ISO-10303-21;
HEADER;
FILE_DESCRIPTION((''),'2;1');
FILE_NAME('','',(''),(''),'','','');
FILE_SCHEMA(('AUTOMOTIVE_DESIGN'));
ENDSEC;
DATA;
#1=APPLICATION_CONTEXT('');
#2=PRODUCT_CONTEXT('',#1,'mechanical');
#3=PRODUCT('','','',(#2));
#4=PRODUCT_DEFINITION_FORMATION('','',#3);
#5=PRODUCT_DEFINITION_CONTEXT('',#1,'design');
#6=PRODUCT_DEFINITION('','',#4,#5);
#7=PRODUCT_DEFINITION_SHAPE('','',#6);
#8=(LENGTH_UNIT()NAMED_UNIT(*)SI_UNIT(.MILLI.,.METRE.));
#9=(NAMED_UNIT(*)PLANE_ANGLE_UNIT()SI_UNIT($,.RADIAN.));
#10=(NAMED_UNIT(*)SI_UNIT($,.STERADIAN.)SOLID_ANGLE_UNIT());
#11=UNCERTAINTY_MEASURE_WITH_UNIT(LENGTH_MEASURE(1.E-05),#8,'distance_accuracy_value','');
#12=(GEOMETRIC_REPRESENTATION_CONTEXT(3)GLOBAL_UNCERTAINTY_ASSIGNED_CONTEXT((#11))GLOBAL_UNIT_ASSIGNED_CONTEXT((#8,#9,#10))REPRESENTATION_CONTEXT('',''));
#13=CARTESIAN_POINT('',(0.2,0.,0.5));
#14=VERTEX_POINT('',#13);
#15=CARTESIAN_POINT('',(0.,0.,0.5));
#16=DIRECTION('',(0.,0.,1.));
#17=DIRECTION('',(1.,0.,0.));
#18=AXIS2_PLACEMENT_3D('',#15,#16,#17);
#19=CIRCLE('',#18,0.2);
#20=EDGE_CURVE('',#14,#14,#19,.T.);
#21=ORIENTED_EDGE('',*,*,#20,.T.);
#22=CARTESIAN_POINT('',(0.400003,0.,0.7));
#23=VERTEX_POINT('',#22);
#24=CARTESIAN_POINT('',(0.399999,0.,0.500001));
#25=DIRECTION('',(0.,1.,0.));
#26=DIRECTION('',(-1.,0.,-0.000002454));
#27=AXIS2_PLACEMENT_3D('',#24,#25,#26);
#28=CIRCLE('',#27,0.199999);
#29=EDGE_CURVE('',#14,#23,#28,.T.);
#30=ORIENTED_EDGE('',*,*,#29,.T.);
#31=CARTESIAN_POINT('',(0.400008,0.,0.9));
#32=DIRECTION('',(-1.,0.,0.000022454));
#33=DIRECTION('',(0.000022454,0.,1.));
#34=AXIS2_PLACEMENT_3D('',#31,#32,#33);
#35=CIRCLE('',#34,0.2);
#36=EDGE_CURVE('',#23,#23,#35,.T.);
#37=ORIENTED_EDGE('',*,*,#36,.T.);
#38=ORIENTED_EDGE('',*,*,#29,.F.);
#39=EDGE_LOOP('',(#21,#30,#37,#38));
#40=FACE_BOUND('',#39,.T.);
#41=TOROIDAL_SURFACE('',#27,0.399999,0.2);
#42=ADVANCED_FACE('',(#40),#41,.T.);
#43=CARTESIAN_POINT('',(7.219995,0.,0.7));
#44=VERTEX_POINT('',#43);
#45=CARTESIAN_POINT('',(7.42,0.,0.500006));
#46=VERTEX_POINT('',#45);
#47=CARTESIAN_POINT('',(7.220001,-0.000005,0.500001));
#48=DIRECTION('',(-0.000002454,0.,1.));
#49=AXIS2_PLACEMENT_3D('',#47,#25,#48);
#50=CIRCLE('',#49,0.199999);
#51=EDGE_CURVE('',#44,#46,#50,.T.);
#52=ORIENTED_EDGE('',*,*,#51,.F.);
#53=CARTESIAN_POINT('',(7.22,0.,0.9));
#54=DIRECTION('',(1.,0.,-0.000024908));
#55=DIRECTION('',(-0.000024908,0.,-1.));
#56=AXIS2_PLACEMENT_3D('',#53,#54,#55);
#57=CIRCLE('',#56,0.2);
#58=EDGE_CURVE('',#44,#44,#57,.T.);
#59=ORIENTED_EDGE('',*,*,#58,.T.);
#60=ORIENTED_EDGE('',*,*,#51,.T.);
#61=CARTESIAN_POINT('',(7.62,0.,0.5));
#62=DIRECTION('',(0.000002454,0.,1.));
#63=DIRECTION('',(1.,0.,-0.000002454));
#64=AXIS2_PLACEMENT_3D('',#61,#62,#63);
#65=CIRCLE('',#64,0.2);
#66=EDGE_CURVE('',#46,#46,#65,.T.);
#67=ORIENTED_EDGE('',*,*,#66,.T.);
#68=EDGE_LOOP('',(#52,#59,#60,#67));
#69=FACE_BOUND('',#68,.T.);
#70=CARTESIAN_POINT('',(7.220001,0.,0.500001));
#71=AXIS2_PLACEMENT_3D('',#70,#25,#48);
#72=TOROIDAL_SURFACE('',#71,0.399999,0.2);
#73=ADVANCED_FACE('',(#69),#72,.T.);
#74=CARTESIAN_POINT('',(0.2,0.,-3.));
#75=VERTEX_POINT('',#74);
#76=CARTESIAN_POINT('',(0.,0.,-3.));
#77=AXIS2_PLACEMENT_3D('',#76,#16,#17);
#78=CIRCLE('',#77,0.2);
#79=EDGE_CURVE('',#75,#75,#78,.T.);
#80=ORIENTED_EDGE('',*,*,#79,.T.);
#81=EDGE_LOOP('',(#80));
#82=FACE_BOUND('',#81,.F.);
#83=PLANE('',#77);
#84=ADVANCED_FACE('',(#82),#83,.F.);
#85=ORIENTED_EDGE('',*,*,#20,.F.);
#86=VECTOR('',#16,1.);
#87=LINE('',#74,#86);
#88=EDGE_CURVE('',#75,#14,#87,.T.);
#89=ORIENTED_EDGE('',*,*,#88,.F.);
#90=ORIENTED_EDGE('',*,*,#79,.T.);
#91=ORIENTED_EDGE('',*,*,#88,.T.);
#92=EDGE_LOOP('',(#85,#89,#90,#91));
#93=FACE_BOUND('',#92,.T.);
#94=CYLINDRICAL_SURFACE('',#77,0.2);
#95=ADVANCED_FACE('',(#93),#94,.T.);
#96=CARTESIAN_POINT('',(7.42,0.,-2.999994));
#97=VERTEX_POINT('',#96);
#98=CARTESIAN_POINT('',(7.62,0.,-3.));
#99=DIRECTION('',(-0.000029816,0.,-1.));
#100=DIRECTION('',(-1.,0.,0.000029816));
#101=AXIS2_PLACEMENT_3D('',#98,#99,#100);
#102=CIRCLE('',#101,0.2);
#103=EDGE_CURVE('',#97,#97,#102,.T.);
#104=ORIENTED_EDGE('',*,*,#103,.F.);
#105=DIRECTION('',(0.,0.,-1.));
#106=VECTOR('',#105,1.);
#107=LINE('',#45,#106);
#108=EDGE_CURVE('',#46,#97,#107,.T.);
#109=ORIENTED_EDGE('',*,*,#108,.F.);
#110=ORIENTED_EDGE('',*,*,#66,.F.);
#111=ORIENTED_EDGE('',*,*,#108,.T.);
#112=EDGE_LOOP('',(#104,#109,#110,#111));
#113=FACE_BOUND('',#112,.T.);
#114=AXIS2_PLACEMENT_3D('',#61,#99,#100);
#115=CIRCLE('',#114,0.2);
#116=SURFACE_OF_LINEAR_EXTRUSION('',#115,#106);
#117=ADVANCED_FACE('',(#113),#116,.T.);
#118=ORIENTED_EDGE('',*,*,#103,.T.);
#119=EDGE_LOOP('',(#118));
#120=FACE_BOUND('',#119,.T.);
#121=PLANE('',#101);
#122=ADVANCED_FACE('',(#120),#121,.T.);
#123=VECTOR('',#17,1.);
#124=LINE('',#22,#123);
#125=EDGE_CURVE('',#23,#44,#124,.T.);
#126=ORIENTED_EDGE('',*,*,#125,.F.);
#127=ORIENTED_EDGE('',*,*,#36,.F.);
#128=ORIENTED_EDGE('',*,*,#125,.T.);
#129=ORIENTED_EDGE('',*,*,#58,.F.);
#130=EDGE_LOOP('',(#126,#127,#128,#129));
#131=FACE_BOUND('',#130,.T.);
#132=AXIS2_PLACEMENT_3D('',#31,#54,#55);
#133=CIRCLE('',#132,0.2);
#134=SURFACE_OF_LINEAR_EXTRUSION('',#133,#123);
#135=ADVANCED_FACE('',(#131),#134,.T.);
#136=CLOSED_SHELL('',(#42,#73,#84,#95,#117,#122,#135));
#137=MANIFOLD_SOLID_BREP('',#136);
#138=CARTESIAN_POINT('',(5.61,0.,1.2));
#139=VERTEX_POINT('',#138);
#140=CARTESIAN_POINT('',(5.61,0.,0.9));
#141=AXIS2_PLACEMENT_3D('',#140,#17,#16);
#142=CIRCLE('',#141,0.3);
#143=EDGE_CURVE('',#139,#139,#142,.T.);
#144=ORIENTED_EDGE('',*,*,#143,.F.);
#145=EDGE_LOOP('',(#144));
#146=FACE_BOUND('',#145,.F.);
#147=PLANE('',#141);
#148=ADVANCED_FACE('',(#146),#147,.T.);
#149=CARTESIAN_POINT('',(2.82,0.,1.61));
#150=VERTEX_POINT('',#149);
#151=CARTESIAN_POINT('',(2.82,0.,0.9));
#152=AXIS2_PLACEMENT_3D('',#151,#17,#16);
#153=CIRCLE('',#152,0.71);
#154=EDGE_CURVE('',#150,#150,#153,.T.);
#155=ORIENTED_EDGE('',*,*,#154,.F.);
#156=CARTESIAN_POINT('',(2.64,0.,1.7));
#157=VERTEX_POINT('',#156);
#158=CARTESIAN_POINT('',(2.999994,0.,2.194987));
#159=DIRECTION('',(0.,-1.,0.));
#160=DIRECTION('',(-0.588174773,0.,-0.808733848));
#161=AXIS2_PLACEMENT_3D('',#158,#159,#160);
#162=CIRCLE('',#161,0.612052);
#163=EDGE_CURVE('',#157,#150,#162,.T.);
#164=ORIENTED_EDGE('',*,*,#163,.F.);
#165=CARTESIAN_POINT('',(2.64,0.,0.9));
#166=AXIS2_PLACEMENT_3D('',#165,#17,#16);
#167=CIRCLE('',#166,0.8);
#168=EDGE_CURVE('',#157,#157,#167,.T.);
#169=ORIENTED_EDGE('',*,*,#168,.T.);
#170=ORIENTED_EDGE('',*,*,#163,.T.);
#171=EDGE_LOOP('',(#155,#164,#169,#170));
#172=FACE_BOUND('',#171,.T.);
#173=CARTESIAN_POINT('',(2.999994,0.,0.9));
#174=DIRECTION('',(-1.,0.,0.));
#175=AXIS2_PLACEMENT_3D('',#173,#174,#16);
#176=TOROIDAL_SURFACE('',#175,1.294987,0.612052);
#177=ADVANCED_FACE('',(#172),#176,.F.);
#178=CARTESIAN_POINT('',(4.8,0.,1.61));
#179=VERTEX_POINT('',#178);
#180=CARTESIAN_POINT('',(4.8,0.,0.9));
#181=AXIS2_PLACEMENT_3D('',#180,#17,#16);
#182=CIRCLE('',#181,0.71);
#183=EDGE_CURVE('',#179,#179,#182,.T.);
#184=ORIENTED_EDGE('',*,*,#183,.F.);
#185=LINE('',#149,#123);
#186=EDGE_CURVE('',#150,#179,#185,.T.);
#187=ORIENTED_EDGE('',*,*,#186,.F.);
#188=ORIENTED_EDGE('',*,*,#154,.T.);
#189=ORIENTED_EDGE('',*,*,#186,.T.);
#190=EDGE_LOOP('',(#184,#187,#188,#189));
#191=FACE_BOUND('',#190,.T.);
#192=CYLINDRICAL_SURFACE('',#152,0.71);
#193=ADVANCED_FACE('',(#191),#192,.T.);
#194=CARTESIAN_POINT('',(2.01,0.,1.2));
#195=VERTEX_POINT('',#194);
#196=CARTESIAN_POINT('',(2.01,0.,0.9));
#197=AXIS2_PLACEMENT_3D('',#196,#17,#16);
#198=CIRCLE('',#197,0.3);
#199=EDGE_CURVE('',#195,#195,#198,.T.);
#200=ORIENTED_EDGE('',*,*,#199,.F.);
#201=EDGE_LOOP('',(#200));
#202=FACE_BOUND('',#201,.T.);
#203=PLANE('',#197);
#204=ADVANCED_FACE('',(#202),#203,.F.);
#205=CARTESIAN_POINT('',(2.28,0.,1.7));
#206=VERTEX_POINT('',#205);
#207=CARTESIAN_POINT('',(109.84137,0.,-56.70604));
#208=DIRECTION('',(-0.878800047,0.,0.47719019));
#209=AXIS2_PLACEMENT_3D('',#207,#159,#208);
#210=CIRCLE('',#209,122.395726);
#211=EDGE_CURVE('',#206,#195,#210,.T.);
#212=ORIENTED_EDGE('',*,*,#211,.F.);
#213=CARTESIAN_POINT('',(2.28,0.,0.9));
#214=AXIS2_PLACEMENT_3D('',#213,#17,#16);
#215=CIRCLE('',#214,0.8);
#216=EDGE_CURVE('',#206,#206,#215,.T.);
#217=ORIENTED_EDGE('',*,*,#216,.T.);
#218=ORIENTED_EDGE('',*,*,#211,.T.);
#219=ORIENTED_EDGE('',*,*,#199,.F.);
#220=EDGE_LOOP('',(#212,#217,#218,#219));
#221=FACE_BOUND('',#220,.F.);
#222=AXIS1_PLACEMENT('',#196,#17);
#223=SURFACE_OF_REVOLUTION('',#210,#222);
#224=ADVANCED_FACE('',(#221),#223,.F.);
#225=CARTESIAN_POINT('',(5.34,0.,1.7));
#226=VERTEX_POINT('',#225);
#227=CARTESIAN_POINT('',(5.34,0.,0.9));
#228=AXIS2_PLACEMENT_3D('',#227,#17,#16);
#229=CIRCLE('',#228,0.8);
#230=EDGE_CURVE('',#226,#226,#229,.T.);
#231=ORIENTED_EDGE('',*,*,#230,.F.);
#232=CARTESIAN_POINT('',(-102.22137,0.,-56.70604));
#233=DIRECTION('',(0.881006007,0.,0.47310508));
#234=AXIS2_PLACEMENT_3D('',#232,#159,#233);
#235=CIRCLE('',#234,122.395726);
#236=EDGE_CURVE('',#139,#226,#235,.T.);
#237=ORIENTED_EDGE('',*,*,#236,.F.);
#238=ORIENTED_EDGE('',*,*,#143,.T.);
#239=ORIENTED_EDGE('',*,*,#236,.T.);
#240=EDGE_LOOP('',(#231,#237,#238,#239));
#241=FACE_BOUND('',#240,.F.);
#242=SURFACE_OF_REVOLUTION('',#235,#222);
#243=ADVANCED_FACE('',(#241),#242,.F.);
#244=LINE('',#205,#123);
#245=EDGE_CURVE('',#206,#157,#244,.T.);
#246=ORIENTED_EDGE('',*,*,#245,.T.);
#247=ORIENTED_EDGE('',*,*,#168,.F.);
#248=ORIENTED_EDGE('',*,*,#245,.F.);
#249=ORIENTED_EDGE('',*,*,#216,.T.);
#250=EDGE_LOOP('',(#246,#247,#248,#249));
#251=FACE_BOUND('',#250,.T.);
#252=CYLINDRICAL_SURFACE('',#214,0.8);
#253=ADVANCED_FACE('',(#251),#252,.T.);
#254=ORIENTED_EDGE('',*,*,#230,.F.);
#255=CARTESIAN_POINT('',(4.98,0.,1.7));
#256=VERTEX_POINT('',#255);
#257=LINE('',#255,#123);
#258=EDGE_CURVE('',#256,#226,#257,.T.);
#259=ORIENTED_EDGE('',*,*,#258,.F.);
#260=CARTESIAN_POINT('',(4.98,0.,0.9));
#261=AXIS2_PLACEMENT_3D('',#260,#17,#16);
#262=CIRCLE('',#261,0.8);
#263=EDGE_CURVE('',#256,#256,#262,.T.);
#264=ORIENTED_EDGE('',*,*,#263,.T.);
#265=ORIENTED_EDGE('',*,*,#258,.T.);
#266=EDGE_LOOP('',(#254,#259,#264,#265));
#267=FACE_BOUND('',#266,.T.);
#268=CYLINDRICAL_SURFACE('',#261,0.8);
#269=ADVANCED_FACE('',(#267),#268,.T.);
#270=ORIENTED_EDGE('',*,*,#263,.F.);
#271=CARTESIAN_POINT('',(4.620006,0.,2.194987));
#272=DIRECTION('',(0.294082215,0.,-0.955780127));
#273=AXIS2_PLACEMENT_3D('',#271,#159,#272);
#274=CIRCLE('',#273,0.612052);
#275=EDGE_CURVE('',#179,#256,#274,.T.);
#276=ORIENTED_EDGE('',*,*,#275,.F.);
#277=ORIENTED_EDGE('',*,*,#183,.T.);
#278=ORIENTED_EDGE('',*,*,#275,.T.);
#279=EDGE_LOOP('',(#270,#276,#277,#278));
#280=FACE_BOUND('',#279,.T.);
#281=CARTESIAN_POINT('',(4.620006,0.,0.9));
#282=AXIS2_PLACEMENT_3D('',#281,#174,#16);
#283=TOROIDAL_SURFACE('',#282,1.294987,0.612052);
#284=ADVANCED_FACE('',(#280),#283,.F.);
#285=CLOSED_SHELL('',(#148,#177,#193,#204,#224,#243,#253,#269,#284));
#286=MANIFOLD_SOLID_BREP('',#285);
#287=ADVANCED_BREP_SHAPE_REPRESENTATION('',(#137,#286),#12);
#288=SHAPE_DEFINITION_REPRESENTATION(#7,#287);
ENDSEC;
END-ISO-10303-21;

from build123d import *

# Parameters (mm, degrees)
SKETCH_R = 0.2


with BuildPart() as revolution:
    # Sketch002 → Revolution (revolve)
    with BuildSketch(Plane.XZ):
        with BuildLine():
            Line((2.28, 1.7), (2.64, 1.7))
            ThreePointArc((2.64, 1.7), (2.726276, 1.647551), (2.82, 1.61))
            Line((2.82, 1.61), (4.8, 1.61))
            ThreePointArc((4.8, 1.61), (4.893724, 1.647551), (4.98, 1.7))
            Line((4.98, 1.7), (5.34, 1.7))
            ThreePointArc((5.61, 1.2), (5.47529, 1.450157), (5.34, 1.7))
            Line((5.61, 0.9), (5.61, 1.2))
            Line((2.01, 0.9), (5.61, 0.9))
            Line((2.01, 0.9), (2.01, 1.2))
            ThreePointArc((2.28, 1.7), (2.14471, 1.450157), (2.01, 1.2))
        make_face()
    revolve(axis=Axis((2.01, 0, 0.9), (1, 0, 0)))


with BuildPart() as sweep_body:
    # Sweep: sweep along a path in Sketch001
    with BuildLine(Plane.XZ) as sweep_path:
        Line((0, -3), (0, 0.5))
        ThreePointArc((0, 0.5), (0.11716, 0.782846), (0.400008, 0.9))
        Line((0.400008, 0.9), (7.22, 0.9))
        ThreePointArc((7.22, 0.9), (7.502843, 0.782843), (7.62, 0.5))
        Line((7.62, 0.5), (7.62, -3))
    # Sketch → Sweep (sweep)
    with BuildSketch(Plane.XY.offset(-2)):
        Circle(SKETCH_R)
    sweep(path=sweep_path.line)


solid = Compound([revolution.part, sweep_body.part])
